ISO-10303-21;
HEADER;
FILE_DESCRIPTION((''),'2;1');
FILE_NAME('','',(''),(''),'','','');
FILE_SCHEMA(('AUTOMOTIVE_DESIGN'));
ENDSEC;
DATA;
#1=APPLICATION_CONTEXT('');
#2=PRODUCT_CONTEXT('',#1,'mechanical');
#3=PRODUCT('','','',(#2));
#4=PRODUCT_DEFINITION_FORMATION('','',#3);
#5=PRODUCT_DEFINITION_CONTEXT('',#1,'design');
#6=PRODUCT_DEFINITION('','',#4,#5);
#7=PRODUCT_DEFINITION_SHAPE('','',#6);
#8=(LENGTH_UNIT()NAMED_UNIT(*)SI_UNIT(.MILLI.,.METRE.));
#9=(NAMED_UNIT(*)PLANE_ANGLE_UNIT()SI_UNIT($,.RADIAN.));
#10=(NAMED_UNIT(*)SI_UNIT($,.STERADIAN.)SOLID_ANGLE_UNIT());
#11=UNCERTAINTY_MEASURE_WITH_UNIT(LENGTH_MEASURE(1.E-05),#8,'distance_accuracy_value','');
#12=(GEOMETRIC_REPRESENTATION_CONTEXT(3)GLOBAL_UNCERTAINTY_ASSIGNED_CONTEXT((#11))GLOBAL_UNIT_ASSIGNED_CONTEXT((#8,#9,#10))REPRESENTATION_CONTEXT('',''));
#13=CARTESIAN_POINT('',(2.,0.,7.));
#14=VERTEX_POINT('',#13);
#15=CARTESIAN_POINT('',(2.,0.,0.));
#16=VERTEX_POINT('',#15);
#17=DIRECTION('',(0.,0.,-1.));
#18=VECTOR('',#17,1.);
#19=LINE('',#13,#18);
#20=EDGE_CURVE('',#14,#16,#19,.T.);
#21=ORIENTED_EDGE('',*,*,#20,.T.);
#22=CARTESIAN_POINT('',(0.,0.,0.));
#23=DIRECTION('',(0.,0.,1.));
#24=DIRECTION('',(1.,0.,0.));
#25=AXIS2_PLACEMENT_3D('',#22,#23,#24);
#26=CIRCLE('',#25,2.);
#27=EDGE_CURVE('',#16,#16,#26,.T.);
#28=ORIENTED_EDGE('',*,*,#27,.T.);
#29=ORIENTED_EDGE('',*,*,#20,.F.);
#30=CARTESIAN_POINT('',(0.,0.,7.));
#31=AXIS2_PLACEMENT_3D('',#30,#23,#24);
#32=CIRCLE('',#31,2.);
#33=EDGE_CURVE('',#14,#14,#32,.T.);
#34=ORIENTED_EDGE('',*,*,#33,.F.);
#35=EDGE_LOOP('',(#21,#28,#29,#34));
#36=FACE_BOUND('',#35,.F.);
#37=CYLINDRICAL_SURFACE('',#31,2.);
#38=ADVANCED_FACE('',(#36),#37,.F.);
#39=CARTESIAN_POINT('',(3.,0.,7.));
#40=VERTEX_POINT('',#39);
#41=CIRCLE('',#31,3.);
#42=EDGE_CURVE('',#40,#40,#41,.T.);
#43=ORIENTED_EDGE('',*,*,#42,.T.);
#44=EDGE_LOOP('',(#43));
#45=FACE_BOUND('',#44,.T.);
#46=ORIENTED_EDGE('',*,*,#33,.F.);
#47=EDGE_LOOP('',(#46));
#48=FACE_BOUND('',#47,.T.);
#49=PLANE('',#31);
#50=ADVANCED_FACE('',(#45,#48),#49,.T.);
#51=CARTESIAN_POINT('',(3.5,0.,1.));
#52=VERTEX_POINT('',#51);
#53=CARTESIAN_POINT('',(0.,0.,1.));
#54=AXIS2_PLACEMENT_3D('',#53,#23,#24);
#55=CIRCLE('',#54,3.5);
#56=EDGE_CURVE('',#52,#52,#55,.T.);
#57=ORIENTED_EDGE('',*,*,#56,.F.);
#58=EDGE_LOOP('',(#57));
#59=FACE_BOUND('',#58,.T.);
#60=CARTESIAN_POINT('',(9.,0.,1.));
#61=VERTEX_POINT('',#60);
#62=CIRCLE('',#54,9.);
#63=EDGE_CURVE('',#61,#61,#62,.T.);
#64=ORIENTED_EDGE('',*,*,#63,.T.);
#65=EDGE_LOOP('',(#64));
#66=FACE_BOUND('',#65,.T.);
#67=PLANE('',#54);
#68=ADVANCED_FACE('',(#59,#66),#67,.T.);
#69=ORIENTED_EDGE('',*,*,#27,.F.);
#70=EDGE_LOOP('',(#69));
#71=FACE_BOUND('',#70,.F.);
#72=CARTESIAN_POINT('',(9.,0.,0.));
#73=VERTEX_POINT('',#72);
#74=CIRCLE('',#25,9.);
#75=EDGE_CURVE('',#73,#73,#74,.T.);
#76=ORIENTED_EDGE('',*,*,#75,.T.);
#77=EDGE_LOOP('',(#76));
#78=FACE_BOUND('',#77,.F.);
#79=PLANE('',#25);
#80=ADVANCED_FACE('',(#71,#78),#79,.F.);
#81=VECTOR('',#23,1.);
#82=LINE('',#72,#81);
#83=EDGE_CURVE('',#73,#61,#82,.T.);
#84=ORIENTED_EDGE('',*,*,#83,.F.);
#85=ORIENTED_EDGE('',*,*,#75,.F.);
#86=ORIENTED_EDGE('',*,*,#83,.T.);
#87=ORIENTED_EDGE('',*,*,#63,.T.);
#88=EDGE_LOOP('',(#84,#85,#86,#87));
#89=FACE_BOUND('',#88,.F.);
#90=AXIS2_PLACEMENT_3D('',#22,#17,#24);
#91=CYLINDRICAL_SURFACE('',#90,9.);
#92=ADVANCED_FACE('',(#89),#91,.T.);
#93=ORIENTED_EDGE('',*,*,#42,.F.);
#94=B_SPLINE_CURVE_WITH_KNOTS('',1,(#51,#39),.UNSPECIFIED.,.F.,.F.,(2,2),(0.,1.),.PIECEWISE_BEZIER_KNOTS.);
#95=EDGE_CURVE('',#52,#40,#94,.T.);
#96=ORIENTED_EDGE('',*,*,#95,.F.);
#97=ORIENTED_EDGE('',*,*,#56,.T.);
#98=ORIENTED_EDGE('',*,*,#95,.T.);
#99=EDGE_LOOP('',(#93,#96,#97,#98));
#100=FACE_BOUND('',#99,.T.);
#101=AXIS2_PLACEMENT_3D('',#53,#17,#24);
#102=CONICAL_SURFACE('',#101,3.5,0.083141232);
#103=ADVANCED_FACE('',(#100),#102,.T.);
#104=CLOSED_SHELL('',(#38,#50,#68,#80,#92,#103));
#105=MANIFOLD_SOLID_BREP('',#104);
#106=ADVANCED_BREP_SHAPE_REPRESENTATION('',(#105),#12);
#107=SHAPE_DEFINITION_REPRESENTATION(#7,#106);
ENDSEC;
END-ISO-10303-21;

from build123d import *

# Parameters (mm, degrees)
SKETCH_R     = 9
PAD_DEPTH    = 1
SKETCH001_R  = 3.5
SKETCH002_R  = 3
SKETCH003_R  = 2
POCKET_DEPTH = 7.001


with BuildPart() as pad:
    # Sketch → Pad (new body)
    with BuildSketch(Plane.XY):
        Circle(SKETCH_R)
    extrude(amount=PAD_DEPTH)


with BuildPart() as pocket:
    # Sketch001 → Loft section 0
    with BuildSketch(Plane.XY.offset(1)):
        Circle(SKETCH001_R)
    # Sketch002 → Loft section 1
    with BuildSketch(Plane.XY.offset(7)):
        Circle(SKETCH002_R)
    loft()

    # Fusion: union Pad
    add(pad.part)

    # Sketch003 → Pocket (cut, through all)
    with BuildSketch(Plane.XY.offset(7)):
        Circle(SKETCH003_R)
    extrude(amount=-POCKET_DEPTH, mode=Mode.SUBTRACT)


solid = pocket.part
